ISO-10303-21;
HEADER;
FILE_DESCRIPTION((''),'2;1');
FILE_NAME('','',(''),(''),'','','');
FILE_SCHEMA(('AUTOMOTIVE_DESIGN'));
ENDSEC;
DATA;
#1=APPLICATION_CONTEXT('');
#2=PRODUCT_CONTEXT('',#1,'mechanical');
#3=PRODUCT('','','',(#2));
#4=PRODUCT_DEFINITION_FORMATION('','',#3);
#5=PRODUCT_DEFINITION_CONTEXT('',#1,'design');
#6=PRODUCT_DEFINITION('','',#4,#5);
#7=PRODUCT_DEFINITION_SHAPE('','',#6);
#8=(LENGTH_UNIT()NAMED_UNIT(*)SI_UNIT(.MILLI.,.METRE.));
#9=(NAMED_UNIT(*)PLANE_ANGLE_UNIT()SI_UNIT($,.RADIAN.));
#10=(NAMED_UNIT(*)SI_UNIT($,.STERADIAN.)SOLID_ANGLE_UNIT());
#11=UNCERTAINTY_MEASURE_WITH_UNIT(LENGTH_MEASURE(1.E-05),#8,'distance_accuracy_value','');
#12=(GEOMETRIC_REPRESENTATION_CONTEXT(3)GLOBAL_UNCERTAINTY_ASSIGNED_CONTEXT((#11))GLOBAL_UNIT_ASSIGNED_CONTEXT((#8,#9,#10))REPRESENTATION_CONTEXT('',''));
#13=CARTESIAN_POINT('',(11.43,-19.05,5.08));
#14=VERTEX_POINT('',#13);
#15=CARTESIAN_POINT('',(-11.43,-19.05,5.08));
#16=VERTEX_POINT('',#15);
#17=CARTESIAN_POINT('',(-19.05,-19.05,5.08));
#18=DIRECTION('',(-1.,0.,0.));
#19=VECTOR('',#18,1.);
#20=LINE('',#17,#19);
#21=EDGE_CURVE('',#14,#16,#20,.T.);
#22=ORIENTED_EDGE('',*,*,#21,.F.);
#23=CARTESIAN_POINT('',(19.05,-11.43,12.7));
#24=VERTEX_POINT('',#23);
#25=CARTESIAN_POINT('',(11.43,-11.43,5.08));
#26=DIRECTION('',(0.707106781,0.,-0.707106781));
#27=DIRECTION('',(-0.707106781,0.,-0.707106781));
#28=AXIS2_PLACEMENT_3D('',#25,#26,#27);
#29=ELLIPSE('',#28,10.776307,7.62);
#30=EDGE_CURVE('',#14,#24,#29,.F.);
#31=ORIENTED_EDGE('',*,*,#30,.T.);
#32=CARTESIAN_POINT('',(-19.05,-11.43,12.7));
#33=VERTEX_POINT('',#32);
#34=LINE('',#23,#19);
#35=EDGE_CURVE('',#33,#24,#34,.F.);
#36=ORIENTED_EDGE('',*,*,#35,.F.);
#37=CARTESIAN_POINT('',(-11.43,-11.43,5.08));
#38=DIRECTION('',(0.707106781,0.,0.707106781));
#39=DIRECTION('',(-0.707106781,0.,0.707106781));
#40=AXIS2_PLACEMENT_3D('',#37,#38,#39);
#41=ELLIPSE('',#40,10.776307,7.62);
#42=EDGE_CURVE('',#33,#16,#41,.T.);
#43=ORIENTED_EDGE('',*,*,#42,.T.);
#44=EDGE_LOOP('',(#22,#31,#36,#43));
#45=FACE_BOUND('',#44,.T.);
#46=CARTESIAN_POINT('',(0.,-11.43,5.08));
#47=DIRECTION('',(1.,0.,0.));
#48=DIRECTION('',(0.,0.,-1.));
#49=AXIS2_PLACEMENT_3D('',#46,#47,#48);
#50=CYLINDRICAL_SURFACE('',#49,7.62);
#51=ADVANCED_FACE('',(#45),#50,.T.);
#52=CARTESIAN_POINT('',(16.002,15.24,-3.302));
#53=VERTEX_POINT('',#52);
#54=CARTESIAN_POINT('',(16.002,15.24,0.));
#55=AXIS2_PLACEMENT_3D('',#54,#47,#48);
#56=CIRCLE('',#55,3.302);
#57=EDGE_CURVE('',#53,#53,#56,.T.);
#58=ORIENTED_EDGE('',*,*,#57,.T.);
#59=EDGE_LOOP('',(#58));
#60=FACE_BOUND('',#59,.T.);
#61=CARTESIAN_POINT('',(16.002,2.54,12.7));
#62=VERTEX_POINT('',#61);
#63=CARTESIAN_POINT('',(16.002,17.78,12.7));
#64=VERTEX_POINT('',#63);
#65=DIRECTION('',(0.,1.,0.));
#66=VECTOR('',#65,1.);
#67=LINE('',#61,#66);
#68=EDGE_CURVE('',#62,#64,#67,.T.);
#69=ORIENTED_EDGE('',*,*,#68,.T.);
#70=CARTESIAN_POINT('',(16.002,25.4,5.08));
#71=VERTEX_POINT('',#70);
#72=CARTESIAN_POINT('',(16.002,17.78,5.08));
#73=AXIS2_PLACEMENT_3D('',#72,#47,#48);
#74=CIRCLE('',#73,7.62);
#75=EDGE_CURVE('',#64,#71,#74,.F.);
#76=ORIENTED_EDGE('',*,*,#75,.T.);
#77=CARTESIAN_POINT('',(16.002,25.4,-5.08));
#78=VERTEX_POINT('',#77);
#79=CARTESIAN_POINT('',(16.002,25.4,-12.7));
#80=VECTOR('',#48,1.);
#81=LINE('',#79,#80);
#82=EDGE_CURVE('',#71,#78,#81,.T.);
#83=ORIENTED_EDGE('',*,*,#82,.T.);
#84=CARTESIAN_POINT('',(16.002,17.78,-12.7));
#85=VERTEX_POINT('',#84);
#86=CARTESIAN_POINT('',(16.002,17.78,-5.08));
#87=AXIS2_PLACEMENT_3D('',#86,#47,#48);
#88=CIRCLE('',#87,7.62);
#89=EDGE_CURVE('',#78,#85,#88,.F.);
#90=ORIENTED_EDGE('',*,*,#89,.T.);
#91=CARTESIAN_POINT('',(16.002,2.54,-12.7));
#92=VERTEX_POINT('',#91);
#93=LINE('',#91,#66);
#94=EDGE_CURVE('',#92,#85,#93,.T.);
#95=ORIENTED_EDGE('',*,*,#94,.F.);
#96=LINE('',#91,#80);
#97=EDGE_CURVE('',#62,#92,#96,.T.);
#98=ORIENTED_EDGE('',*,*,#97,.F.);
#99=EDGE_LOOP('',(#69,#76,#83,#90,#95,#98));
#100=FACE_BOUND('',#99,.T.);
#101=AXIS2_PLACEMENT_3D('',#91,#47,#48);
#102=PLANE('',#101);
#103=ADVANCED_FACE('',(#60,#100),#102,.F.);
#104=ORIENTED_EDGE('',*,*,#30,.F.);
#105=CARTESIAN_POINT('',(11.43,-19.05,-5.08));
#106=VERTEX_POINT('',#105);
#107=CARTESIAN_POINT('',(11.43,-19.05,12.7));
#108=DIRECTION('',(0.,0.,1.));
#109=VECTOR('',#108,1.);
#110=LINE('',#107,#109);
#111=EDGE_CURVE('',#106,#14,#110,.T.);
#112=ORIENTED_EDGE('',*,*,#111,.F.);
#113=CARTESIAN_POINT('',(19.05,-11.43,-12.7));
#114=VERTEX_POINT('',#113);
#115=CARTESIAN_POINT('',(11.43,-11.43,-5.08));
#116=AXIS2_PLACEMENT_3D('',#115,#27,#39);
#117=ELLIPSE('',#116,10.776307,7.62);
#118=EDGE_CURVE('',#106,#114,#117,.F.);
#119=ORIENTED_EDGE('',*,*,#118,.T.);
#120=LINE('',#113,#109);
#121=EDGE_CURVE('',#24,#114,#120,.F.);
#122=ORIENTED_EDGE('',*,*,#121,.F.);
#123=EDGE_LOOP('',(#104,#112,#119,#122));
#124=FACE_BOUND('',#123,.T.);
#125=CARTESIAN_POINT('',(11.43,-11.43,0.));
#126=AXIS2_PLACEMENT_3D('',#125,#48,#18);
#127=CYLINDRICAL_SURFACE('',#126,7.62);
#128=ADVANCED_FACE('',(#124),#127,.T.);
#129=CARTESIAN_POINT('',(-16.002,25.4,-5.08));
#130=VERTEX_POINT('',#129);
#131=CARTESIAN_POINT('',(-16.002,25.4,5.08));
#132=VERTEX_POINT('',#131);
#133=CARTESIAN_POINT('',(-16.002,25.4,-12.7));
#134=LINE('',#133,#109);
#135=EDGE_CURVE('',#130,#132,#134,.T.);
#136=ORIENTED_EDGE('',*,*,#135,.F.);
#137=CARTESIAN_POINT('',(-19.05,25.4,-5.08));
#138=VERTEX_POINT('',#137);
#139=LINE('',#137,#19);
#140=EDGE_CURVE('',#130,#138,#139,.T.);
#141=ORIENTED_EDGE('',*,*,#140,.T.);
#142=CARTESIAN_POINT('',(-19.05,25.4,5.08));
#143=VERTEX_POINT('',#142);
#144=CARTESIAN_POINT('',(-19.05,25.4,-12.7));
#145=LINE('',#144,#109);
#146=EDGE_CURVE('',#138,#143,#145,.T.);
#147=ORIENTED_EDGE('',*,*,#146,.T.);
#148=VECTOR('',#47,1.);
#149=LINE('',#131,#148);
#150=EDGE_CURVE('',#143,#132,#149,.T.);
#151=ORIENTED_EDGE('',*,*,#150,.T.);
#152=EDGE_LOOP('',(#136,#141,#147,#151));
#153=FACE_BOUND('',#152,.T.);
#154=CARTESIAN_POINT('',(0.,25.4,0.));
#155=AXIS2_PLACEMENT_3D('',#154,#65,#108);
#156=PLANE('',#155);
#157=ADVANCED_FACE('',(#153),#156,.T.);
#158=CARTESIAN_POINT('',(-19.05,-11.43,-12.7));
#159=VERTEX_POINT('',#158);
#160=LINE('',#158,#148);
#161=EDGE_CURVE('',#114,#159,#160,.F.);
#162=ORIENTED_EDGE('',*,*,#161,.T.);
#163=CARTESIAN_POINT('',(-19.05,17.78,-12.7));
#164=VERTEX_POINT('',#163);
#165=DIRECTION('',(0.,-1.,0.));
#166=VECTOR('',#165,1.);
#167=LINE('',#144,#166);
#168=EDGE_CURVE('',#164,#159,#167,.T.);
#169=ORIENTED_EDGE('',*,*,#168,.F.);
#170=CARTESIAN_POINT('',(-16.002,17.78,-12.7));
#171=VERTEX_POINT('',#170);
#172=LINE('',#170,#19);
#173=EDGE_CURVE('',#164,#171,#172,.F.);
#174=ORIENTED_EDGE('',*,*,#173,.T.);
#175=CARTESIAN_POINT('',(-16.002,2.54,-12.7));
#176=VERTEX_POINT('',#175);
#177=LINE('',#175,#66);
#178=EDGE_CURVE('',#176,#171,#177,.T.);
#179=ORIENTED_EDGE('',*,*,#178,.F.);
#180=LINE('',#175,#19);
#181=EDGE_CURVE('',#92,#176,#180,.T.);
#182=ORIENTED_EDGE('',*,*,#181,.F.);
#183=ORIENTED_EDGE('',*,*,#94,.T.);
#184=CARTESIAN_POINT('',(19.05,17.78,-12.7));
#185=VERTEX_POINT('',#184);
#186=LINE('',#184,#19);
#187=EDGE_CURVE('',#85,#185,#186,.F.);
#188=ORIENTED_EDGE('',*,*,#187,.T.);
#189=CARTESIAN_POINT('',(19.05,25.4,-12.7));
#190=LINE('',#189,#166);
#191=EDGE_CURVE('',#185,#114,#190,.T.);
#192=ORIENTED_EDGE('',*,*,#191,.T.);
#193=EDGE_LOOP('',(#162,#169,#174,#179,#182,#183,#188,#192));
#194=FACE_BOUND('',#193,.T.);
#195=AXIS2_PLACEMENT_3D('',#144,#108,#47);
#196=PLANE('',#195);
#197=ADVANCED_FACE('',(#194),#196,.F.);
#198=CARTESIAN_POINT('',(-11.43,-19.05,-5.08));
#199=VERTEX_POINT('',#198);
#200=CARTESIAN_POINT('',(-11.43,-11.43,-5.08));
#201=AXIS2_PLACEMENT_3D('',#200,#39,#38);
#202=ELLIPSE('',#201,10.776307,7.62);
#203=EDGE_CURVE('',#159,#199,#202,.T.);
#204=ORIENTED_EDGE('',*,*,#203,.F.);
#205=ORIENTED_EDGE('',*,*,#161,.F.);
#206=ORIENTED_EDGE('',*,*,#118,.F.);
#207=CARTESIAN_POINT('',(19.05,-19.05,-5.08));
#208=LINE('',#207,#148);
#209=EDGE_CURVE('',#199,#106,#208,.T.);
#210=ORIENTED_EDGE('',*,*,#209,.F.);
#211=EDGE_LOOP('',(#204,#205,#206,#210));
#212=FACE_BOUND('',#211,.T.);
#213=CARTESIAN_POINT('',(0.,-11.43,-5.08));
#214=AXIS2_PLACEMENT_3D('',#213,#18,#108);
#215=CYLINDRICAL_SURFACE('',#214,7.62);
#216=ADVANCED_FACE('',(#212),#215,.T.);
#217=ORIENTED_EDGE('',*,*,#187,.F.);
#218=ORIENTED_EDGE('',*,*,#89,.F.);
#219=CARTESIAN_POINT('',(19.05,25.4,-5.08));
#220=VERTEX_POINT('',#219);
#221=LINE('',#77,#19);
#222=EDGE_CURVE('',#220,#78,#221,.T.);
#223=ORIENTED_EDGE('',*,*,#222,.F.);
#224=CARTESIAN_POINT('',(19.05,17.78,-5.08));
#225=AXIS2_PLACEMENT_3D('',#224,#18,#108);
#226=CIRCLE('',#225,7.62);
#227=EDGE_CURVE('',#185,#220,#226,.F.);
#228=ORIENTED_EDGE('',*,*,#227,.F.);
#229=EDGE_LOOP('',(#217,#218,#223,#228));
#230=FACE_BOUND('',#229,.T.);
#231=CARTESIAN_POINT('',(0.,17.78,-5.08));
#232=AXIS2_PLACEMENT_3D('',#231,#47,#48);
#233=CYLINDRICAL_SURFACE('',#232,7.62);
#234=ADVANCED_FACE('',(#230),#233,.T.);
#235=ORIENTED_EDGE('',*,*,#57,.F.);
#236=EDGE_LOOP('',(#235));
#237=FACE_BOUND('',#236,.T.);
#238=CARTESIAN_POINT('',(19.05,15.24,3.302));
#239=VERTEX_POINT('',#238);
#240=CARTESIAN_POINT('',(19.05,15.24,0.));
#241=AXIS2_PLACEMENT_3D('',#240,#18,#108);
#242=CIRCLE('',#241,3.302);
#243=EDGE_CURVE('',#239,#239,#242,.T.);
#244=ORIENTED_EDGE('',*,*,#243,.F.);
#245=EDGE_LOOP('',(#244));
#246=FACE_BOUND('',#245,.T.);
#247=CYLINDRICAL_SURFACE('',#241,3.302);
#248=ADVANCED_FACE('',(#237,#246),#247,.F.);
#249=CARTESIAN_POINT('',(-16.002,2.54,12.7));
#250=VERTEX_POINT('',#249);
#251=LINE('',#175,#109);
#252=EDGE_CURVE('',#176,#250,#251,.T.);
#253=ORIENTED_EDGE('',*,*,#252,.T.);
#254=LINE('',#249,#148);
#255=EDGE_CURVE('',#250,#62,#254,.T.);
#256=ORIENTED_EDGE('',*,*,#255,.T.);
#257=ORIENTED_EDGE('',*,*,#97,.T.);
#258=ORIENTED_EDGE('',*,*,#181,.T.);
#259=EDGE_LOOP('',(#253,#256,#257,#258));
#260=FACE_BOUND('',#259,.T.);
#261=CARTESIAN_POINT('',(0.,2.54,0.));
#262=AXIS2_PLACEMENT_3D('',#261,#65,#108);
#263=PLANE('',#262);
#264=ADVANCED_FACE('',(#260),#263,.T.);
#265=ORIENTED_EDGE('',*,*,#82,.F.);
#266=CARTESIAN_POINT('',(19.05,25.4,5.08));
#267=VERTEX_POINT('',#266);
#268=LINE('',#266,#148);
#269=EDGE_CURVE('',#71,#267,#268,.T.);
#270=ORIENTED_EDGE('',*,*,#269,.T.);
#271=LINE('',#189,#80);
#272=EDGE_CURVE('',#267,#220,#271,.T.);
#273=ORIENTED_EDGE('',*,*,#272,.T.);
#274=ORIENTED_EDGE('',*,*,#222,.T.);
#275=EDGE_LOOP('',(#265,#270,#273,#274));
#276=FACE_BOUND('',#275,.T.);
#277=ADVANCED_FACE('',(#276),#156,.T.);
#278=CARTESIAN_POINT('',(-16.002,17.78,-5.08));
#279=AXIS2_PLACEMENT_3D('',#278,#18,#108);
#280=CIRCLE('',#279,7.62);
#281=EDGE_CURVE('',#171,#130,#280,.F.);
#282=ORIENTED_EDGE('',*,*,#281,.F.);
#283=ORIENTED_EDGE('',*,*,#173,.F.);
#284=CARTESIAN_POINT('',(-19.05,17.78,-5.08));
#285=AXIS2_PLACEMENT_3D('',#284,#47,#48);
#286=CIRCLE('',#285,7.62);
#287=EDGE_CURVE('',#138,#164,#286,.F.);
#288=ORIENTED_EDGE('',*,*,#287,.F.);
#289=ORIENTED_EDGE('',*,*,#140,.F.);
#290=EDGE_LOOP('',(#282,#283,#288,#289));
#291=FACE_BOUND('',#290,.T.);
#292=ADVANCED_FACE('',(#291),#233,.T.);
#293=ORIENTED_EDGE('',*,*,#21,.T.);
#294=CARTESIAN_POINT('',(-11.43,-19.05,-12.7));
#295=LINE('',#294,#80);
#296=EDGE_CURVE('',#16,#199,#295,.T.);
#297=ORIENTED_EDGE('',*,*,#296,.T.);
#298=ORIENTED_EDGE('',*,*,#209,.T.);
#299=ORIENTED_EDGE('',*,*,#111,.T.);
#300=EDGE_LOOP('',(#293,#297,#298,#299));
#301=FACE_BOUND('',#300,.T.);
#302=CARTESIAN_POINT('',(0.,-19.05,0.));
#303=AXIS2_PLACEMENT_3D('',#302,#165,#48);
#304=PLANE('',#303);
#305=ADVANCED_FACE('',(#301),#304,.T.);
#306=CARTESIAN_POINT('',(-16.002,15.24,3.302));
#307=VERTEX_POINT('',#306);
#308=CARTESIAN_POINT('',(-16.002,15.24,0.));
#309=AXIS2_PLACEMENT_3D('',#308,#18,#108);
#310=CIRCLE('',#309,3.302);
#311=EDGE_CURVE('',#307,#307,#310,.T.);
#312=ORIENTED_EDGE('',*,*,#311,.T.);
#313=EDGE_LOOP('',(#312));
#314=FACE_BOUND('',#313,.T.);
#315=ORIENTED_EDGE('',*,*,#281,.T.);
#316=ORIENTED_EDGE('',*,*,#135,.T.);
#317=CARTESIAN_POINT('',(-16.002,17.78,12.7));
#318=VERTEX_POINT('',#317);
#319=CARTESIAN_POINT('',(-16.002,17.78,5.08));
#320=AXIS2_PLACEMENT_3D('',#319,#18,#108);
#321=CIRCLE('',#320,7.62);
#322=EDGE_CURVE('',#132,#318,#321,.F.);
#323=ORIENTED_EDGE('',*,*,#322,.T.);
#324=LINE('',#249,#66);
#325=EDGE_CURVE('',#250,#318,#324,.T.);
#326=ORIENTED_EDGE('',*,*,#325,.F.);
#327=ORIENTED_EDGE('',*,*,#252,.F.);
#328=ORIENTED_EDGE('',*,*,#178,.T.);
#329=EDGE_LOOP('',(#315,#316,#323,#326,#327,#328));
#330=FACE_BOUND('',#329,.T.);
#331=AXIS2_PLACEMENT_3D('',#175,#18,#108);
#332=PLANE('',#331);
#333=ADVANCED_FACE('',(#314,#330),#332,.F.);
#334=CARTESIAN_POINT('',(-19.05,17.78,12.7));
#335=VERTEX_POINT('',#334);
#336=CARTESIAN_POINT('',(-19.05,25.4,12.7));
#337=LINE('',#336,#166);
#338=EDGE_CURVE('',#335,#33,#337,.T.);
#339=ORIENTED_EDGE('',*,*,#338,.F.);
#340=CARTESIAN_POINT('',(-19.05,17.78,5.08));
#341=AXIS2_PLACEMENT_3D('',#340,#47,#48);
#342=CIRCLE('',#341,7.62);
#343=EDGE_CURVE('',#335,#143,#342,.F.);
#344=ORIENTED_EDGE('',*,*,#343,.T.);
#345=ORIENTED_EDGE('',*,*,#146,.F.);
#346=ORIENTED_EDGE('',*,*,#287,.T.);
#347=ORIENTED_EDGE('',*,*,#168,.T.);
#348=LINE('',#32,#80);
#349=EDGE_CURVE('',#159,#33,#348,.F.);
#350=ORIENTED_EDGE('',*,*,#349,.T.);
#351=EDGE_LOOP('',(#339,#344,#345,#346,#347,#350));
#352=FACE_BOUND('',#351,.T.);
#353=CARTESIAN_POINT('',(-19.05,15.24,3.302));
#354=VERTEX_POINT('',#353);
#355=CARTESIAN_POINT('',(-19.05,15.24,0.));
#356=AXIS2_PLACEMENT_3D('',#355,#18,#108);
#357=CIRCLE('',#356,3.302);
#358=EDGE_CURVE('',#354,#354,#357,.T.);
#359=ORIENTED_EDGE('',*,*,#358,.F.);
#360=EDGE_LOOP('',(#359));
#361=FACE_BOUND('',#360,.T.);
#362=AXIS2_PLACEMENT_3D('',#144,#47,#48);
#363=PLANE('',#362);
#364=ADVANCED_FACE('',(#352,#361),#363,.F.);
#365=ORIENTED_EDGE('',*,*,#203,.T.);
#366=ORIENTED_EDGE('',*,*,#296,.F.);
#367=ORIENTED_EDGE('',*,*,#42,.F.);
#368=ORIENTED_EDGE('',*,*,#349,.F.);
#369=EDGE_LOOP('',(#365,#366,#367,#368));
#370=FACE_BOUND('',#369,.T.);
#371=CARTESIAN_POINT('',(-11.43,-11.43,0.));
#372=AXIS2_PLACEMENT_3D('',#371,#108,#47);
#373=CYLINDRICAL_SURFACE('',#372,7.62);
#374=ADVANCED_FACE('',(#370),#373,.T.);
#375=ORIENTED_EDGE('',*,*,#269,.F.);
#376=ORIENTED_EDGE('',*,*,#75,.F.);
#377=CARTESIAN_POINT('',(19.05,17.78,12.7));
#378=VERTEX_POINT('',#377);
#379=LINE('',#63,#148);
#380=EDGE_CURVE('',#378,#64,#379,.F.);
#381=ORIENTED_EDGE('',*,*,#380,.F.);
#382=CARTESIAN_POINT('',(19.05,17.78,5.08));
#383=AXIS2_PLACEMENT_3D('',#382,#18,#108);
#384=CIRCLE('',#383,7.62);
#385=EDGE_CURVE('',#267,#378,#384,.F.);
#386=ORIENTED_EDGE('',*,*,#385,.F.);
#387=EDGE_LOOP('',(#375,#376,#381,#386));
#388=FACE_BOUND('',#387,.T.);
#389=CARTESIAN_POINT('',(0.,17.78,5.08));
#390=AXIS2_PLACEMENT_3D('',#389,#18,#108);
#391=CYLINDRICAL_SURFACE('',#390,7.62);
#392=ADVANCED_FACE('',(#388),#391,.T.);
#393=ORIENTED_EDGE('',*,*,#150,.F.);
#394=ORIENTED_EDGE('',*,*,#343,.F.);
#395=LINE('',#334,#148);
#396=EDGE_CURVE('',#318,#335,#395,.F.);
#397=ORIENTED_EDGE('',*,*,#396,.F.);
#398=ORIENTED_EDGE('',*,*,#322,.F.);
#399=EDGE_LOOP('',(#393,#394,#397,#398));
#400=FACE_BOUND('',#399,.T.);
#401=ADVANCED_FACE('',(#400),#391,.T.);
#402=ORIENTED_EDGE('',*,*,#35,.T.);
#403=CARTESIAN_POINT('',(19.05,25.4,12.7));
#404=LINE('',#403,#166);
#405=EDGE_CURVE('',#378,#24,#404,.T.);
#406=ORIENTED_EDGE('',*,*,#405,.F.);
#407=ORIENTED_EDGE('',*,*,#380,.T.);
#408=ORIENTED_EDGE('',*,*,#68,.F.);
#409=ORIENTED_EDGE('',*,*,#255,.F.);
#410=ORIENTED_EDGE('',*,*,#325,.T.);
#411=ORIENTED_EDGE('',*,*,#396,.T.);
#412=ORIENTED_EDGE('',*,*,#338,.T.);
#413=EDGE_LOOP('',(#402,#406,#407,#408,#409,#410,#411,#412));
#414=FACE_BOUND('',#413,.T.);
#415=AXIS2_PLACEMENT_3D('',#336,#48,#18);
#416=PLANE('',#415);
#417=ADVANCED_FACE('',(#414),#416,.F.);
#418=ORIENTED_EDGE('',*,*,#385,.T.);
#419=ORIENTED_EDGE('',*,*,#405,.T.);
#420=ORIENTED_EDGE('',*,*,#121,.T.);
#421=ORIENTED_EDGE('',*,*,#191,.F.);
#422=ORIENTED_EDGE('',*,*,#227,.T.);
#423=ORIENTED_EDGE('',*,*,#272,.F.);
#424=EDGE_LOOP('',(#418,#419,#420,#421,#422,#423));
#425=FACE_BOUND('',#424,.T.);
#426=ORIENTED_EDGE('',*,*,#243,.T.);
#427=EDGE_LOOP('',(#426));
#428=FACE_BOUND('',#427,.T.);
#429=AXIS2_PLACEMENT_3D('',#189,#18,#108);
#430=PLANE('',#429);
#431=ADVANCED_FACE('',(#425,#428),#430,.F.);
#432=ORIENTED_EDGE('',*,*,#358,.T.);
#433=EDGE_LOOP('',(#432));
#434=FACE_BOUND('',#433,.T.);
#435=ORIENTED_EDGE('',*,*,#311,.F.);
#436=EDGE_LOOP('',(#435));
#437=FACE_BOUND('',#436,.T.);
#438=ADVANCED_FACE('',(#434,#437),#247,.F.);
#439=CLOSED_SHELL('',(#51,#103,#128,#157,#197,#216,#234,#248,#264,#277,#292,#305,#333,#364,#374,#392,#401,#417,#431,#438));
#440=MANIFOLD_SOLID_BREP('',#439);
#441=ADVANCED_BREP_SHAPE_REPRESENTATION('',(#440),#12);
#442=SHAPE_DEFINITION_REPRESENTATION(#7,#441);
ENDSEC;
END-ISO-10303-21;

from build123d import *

# Parameters (mm, degrees)
SKETCH1_W           = 38.1
SKETCH1_H           = 25.4
BOSS_EXTRUDE1_DEPTH = 25.4
SKETCH2_W           = 32.004
SKETCH2_H           = 25.4
CUT_EXTRUDE1_DEPTH  = 22.86
SKETCH3_R           = 3.302
CUT_EXTRUDE2_DEPTH  = 48.519048812
FILLET1_R           = 7.62
SKETCH4_W           = 38.1
SKETCH4_H           = 25.4
BOSS_EXTRUDE2_DEPTH = 19.05
FILLET2_R           = 7.62


with BuildPart() as part:
    # Sketch1 → Boss-Extrude1 (new body)
    with BuildSketch(Plane(origin=(0, 0, 0), x_dir=(1, 0, 0), z_dir=(0, 1, 0))):
        Rectangle(SKETCH1_W, SKETCH1_H)
    extrude(amount=BOSS_EXTRUDE1_DEPTH)

    # Sketch2 → Cut-Extrude1 (cut)
    with BuildSketch(Plane(origin=(0, 25.4, 0), x_dir=(1, 0, 0), z_dir=(0, 1, 0))):
        Rectangle(SKETCH2_W, SKETCH2_H)
    extrude(amount=-CUT_EXTRUDE1_DEPTH, mode=Mode.SUBTRACT)

    # Sketch3 → Cut-Extrude2 (cut, through all)
    with BuildSketch(Plane.ZY.offset(19.05)):
        with Locations((0, 15.24)):
            Circle(SKETCH3_R)
    extrude(amount=-CUT_EXTRUDE2_DEPTH, mode=Mode.SUBTRACT)

    # Fillet1
    fillet1_edges = [part.edges().sort_by_distance(p)[0] for p in [
        (-17.526, 25.4, -12.7),
        (17.526, 25.4, 12.7),
        (-17.526, 25.4, 12.7),
        (17.526, 25.4, -12.7),
    ]]
    fillet(fillet1_edges, radius=FILLET1_R)

    # Sketch4 → Boss-Extrude2 (add)
    with BuildSketch(Plane.XZ):
        Rectangle(SKETCH4_W, SKETCH4_H)
    extrude(amount=BOSS_EXTRUDE2_DEPTH)

    # Fillet2
    fillet2_edges = [part.edges().sort_by_distance(p)[0] for p in [
        (-19.05, -19.05, 0),
        (0, -19.05, -12.7),
        (19.05, -19.05, 0),
        (0, -19.05, 12.7),
    ]]
    fillet(fillet2_edges, radius=FILLET2_R)


solid = part.part
